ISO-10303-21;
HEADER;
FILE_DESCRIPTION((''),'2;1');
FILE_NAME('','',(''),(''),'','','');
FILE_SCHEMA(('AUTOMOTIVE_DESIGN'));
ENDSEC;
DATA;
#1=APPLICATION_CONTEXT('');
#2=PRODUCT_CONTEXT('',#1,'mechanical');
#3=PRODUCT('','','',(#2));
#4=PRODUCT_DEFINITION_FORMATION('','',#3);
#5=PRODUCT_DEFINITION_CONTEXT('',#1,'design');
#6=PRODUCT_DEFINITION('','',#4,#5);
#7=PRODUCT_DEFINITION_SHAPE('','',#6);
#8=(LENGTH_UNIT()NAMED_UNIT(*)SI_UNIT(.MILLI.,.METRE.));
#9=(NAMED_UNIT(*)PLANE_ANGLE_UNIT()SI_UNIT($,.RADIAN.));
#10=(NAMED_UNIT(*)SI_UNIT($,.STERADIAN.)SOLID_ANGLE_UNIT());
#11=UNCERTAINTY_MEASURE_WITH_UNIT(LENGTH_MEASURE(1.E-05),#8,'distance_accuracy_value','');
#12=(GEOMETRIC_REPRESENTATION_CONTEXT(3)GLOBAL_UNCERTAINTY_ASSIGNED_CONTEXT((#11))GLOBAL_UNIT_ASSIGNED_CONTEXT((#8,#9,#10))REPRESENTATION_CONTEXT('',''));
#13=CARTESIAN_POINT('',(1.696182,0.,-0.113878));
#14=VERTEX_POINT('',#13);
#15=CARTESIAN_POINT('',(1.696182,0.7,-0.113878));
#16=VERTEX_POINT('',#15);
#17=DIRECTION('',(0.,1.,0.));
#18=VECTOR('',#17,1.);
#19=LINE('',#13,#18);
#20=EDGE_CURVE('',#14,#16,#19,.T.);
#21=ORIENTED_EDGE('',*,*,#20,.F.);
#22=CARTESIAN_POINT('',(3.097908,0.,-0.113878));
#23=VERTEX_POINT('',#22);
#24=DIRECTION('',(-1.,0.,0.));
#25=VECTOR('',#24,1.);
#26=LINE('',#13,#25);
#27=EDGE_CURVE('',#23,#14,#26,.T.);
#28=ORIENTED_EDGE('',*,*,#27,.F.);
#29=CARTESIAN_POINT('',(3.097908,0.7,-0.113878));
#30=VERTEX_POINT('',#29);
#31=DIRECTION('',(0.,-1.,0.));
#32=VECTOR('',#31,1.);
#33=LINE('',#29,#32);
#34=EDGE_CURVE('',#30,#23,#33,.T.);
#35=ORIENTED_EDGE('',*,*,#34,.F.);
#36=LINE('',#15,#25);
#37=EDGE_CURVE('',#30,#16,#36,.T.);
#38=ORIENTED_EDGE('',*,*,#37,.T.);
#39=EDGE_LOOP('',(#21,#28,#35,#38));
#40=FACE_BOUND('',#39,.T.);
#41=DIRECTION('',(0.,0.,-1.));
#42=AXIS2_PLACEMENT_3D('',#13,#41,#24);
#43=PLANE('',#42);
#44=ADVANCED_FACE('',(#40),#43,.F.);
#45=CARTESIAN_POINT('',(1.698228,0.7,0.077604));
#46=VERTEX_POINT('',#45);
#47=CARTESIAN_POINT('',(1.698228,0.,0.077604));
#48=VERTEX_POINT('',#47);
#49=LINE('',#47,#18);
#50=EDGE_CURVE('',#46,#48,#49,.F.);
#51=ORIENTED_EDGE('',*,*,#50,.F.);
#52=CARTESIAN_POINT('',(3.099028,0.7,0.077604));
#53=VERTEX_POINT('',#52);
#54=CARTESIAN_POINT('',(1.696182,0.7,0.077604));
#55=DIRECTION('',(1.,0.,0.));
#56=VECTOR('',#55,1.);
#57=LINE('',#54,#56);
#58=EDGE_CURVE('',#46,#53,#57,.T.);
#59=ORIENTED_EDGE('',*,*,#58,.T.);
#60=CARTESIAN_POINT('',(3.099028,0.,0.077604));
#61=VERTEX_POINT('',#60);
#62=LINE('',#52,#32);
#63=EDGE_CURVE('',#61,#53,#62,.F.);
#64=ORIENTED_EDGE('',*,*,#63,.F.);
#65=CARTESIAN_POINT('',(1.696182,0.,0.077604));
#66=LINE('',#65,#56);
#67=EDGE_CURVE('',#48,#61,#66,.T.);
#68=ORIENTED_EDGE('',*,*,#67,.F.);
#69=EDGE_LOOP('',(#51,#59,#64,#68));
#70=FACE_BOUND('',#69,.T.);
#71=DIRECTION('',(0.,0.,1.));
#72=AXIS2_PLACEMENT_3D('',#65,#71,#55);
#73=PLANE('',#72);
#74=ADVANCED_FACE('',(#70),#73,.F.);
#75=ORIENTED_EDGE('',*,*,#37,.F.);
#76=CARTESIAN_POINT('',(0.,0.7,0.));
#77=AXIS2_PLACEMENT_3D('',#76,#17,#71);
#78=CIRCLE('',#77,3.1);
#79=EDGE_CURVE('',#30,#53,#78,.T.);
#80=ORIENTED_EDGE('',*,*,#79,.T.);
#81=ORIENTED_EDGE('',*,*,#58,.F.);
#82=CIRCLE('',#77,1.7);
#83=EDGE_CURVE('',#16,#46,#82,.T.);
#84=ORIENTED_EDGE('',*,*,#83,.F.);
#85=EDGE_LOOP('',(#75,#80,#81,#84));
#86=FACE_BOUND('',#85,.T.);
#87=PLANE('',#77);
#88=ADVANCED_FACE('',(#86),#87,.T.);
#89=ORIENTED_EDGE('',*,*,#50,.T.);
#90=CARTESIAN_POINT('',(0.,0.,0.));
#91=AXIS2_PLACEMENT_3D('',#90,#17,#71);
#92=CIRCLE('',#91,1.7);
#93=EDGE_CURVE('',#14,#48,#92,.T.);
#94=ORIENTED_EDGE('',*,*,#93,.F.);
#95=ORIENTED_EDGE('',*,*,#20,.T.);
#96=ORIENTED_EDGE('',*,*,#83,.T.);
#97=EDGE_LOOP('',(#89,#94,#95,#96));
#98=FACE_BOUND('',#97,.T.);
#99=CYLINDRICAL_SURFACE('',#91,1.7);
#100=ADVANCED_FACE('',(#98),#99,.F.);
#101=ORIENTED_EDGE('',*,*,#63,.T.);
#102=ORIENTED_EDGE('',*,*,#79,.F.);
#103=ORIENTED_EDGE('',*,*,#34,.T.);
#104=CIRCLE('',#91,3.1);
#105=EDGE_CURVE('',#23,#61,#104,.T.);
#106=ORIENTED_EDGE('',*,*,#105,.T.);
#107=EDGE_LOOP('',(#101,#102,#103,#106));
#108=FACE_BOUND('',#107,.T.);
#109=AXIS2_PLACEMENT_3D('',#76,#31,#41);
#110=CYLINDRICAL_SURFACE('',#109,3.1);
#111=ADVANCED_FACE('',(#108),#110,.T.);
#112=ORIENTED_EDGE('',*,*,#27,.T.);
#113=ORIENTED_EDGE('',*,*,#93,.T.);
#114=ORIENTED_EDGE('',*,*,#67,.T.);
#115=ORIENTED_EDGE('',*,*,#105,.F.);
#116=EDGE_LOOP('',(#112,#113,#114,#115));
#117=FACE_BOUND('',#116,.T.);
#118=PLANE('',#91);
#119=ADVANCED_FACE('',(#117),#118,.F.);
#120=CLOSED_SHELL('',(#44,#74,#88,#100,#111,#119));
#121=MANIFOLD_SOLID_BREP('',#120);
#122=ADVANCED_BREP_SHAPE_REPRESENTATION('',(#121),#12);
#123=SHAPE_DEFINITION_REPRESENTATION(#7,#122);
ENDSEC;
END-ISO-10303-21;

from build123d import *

# Parameters (mm, degrees)
SKETCH1_R          = 3.1
EXTRUDE1_DEPTH     = 0.7
SKETCH2_R          = 1.7
CUT_EXTRUDE1_DEPTH = 5.439594576
SKETCH3_W          = 1.509479926
SKETCH3_H          = 0.191482381
CUT_EXTRUDE3_DEPTH = 5.439594576


with BuildPart() as part:
    # Sketch1 → Extrude1 (new body)
    with BuildSketch(Plane(origin=(0, 0, 0), x_dir=(1, 0, 0), z_dir=(0, 1, 0))):
        with Locations(Location((0, 0, 0), (0, 0, 270))):
            Circle(SKETCH1_R)
    extrude(amount=EXTRUDE1_DEPTH)

    # Sketch2 → Cut-Extrude1 (cut, through all)
    with BuildSketch(Plane(origin=(0, 0.7, 0), x_dir=(1, 0, 0), z_dir=(0, 1, 0))):
        with Locations(Location((0, 0, 0), (0, 0, 270))):
            Circle(SKETCH2_R)
    extrude(amount=-CUT_EXTRUDE1_DEPTH, mode=Mode.SUBTRACT)

    # Sketch3 → Cut-Extrude3 (cut, through all)
    with BuildSketch(Plane(origin=(0, 0.7, 0), x_dir=(1, 0, 0), z_dir=(0, 1, 0))):
        with Locations((2.450921504, 0.018136723)):
            Rectangle(SKETCH3_W, SKETCH3_H)
    extrude(amount=-CUT_EXTRUDE3_DEPTH, mode=Mode.SUBTRACT)


solid = part.part
